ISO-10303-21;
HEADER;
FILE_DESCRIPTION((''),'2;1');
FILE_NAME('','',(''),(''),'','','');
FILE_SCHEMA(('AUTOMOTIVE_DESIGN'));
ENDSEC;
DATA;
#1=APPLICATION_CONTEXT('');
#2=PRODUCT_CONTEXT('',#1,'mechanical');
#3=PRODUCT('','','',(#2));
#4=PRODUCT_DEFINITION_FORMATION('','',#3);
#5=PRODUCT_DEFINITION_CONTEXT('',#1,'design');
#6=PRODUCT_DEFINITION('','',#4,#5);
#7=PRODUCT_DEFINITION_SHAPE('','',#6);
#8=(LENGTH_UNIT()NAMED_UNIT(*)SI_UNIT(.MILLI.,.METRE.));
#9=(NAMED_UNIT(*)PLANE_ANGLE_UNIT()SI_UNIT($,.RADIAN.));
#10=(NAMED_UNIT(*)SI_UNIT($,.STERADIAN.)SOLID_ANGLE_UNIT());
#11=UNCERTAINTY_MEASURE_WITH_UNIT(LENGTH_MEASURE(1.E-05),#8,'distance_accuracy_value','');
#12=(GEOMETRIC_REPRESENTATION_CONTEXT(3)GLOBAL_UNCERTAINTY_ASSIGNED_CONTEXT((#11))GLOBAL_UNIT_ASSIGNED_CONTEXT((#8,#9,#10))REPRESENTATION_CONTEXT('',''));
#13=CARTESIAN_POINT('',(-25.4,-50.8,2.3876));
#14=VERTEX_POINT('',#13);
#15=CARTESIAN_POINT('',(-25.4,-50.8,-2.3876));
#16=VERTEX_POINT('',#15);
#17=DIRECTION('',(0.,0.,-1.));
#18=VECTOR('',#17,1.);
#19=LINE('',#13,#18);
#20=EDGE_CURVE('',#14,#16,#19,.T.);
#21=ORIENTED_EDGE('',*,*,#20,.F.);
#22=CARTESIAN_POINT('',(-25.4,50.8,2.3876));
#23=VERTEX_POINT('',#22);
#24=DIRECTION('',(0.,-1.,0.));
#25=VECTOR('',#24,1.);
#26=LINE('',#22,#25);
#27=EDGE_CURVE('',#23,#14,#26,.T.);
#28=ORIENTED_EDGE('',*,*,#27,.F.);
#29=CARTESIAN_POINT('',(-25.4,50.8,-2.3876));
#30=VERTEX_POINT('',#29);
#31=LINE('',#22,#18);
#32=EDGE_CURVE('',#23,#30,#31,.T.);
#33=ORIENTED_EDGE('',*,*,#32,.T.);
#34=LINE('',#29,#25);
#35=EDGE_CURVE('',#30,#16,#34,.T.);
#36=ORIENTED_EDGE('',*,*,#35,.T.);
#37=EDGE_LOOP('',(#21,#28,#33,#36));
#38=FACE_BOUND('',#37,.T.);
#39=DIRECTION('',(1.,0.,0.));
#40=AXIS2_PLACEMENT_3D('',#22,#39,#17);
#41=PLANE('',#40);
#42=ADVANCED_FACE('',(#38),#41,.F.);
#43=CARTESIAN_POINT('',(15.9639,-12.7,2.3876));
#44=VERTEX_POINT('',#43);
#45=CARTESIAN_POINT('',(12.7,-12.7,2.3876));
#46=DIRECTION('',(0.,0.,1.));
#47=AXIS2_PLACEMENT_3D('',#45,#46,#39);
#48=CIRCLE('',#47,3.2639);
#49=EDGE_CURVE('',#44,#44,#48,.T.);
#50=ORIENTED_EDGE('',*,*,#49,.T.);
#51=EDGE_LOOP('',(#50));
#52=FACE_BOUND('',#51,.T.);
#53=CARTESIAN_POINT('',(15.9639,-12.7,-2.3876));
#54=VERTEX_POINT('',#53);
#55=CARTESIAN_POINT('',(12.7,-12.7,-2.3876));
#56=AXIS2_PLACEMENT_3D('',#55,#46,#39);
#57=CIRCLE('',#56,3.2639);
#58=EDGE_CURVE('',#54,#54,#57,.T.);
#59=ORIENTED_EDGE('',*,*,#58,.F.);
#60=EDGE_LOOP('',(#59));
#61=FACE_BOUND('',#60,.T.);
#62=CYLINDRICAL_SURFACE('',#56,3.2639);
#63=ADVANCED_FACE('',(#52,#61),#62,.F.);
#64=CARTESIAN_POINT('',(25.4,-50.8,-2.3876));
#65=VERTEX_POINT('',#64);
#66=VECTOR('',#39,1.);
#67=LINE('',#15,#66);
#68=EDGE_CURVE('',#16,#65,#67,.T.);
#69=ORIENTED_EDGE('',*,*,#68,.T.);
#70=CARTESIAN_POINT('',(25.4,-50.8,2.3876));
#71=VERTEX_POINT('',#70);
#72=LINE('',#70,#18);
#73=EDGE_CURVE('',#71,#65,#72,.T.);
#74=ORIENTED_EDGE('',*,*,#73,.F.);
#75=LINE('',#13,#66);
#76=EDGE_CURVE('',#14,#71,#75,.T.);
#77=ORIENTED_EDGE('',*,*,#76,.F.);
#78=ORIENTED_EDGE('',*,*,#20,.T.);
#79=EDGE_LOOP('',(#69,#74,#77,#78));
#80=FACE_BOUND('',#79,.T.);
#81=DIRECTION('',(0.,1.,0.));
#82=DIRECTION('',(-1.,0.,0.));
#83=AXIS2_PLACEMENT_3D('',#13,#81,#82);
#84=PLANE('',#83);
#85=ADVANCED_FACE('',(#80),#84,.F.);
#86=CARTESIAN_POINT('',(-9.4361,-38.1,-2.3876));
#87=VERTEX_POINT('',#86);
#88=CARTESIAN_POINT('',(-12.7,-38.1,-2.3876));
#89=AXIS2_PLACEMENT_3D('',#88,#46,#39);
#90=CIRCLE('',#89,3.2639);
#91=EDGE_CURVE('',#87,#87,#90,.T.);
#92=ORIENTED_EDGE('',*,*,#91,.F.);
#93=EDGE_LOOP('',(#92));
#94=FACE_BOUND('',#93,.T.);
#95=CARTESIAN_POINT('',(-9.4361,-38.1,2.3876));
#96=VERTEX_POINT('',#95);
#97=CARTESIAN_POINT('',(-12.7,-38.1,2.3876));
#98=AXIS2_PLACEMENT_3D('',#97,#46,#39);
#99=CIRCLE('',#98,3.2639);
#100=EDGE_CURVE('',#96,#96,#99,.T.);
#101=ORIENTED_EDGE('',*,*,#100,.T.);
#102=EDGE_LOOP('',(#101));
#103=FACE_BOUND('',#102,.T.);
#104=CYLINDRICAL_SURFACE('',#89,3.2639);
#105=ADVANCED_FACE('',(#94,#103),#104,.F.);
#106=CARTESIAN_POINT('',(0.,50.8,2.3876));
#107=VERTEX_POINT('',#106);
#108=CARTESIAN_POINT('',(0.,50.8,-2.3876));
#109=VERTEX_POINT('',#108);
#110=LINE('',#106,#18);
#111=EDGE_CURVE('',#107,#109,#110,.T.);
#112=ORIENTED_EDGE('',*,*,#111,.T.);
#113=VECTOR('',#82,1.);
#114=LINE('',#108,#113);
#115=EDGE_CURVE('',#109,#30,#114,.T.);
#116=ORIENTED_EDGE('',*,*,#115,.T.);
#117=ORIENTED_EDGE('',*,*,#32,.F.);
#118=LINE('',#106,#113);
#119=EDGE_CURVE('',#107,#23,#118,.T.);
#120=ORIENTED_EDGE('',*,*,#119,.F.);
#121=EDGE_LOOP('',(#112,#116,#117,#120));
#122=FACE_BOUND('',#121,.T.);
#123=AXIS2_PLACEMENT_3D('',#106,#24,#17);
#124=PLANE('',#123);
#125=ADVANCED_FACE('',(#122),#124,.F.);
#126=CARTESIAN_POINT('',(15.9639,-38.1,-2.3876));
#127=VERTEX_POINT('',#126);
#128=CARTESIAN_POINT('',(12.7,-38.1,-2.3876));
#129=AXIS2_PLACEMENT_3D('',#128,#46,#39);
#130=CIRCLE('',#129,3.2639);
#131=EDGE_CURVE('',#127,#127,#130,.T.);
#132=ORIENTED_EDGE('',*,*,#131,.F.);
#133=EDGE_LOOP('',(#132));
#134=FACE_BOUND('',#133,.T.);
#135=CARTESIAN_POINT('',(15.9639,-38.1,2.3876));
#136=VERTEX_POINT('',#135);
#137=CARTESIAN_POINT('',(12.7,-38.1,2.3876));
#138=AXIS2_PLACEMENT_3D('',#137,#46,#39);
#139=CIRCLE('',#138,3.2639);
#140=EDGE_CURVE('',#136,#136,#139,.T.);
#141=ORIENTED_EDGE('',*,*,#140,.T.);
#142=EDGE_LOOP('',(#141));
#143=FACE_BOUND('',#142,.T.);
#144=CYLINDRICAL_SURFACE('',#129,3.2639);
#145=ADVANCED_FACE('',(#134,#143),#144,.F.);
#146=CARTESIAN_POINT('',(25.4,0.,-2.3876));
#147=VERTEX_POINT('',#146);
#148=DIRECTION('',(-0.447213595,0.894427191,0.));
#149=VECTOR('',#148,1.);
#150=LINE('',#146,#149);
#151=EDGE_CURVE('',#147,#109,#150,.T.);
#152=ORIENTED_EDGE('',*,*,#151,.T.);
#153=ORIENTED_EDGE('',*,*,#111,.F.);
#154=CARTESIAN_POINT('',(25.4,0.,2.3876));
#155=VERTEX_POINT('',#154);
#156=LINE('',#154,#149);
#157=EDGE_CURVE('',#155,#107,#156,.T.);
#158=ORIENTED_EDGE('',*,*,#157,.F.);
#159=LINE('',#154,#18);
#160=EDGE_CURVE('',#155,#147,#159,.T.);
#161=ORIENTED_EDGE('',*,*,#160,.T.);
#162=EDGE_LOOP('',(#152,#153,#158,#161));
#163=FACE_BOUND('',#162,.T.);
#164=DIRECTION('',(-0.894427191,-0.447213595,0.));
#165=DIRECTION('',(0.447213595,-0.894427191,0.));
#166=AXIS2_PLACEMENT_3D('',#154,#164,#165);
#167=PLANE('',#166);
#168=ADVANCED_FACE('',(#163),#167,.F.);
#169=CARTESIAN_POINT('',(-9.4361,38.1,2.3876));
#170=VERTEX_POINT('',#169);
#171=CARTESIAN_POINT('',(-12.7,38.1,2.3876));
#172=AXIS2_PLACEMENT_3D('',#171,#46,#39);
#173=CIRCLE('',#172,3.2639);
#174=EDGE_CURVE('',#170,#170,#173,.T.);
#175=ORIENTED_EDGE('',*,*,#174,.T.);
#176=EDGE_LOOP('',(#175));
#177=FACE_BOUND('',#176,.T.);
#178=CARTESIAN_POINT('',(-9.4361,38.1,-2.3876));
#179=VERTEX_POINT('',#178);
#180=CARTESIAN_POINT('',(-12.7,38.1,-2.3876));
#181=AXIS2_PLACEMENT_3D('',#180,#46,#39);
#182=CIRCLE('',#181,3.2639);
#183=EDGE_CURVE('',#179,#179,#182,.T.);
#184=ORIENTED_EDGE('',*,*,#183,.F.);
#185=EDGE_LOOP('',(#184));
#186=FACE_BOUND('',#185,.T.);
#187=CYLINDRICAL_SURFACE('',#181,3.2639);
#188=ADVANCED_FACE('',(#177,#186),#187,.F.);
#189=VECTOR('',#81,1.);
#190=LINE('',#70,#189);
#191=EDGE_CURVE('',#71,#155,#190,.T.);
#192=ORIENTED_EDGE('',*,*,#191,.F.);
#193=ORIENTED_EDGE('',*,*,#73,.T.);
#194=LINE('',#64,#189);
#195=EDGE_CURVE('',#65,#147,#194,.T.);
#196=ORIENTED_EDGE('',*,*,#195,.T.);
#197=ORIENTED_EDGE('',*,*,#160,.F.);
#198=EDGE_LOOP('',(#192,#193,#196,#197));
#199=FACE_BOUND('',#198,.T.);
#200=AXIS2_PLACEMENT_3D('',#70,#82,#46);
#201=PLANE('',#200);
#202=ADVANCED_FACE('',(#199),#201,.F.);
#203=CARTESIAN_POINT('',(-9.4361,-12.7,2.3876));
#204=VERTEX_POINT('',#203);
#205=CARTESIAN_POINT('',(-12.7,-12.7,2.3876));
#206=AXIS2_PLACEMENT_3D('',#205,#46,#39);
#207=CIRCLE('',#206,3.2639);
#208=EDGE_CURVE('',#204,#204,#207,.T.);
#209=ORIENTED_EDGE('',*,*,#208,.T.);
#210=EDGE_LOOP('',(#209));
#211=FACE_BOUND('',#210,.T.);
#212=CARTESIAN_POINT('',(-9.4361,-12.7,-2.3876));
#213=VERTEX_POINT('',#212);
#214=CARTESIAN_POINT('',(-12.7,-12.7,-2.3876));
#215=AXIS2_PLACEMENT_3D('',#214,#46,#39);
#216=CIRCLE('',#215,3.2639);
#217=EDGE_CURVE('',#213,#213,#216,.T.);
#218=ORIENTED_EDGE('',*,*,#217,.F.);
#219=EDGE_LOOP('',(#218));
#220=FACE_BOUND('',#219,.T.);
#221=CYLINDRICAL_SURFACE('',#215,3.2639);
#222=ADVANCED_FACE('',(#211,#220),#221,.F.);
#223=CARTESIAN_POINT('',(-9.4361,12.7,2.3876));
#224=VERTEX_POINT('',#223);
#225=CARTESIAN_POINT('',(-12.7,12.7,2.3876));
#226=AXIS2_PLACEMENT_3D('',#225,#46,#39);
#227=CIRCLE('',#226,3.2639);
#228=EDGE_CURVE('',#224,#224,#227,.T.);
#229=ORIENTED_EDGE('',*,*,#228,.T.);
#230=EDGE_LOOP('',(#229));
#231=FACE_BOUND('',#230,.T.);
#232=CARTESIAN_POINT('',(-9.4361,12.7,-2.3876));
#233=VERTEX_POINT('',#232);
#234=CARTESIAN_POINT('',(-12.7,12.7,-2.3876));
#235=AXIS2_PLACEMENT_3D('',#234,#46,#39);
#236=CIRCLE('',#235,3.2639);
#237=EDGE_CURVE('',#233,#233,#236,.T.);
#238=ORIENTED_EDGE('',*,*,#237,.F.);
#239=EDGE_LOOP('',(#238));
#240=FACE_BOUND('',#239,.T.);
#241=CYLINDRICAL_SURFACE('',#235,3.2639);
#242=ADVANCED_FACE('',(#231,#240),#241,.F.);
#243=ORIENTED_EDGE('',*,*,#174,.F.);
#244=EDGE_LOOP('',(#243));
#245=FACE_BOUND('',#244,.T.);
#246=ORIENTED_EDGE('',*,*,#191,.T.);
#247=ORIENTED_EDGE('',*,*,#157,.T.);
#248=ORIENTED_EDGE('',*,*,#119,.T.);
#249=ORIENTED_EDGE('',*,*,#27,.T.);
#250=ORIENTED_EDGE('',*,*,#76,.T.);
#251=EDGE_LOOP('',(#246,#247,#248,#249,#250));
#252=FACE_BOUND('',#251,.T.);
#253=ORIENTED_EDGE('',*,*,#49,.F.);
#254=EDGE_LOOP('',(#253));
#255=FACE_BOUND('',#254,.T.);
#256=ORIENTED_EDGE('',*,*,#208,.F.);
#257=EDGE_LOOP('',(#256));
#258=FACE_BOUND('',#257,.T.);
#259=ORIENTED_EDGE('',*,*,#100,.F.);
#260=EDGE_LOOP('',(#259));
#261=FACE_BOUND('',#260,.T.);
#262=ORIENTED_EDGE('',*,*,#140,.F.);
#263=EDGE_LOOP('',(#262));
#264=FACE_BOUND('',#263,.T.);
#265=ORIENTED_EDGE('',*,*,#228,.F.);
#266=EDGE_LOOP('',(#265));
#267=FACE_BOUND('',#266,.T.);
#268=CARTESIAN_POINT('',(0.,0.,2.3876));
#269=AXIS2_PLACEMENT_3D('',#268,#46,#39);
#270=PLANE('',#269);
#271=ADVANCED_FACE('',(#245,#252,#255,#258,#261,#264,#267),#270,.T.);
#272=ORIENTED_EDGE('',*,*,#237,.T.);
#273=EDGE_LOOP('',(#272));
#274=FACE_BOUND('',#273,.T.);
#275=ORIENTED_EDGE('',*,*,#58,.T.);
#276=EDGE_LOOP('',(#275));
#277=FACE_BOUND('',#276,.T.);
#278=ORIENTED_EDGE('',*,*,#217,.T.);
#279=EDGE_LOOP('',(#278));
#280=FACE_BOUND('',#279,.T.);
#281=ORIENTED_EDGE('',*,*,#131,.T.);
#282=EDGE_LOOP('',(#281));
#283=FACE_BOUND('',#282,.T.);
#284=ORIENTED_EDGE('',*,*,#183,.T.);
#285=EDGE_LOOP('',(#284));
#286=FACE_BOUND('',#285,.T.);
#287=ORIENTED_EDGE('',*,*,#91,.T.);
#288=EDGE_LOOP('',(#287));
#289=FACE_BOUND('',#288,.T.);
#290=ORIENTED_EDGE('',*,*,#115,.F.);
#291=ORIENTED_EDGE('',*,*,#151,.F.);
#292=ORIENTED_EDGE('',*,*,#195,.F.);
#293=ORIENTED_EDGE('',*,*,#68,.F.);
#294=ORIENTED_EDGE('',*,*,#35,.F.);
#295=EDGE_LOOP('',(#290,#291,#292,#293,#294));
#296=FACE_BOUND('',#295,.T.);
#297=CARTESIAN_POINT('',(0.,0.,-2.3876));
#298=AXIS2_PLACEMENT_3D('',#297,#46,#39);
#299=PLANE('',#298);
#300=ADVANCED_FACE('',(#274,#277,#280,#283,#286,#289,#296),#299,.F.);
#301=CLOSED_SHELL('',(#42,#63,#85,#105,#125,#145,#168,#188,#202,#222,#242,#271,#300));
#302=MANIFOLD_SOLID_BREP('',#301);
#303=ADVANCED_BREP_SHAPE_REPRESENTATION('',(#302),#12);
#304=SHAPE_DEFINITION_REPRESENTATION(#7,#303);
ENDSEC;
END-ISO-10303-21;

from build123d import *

# Parameters (mm, degrees)
BOSS_EXTRUDE1_DEPTH      = 2.3876
BOSS_EXTRUDE1_DEPTH_BACK = 2.3876
SKETCH4_R                = 3.2639
CUT_EXTRUDE1_DEPTH       = 57.996513359


with BuildPart() as part:
    # Sketch3 → Boss-Extrude1 (new, two sides: drawn at the far end of the back side and taken through both)
    with BuildSketch(Plane.XY.offset(-BOSS_EXTRUDE1_DEPTH_BACK)):
        Polygon((0, 50.8), (-25.4, 50.8), (-25.4, -50.8), (25.4, -50.8), (25.4, 0), align=None)
    extrude(amount=BOSS_EXTRUDE1_DEPTH + BOSS_EXTRUDE1_DEPTH_BACK)

    # Sketch4 → Cut-Extrude1 (cut, through all)
    with BuildSketch(Plane.XY.offset(2.3876)):
        with Locations((-12.7, -38.1)):
            Circle(SKETCH4_R)
        with Locations((12.7, -38.1)):
            Circle(SKETCH4_R)
        with Locations((12.7, -12.7)):
            Circle(SKETCH4_R)
        with Locations((-12.7, -12.7)):
            Circle(SKETCH4_R)
        with Locations((-12.7, 12.7)):
            Circle(SKETCH4_R)
        with Locations((-12.7, 38.1)):
            Circle(SKETCH4_R)
    extrude(amount=-CUT_EXTRUDE1_DEPTH, mode=Mode.SUBTRACT)


solid = part.part
